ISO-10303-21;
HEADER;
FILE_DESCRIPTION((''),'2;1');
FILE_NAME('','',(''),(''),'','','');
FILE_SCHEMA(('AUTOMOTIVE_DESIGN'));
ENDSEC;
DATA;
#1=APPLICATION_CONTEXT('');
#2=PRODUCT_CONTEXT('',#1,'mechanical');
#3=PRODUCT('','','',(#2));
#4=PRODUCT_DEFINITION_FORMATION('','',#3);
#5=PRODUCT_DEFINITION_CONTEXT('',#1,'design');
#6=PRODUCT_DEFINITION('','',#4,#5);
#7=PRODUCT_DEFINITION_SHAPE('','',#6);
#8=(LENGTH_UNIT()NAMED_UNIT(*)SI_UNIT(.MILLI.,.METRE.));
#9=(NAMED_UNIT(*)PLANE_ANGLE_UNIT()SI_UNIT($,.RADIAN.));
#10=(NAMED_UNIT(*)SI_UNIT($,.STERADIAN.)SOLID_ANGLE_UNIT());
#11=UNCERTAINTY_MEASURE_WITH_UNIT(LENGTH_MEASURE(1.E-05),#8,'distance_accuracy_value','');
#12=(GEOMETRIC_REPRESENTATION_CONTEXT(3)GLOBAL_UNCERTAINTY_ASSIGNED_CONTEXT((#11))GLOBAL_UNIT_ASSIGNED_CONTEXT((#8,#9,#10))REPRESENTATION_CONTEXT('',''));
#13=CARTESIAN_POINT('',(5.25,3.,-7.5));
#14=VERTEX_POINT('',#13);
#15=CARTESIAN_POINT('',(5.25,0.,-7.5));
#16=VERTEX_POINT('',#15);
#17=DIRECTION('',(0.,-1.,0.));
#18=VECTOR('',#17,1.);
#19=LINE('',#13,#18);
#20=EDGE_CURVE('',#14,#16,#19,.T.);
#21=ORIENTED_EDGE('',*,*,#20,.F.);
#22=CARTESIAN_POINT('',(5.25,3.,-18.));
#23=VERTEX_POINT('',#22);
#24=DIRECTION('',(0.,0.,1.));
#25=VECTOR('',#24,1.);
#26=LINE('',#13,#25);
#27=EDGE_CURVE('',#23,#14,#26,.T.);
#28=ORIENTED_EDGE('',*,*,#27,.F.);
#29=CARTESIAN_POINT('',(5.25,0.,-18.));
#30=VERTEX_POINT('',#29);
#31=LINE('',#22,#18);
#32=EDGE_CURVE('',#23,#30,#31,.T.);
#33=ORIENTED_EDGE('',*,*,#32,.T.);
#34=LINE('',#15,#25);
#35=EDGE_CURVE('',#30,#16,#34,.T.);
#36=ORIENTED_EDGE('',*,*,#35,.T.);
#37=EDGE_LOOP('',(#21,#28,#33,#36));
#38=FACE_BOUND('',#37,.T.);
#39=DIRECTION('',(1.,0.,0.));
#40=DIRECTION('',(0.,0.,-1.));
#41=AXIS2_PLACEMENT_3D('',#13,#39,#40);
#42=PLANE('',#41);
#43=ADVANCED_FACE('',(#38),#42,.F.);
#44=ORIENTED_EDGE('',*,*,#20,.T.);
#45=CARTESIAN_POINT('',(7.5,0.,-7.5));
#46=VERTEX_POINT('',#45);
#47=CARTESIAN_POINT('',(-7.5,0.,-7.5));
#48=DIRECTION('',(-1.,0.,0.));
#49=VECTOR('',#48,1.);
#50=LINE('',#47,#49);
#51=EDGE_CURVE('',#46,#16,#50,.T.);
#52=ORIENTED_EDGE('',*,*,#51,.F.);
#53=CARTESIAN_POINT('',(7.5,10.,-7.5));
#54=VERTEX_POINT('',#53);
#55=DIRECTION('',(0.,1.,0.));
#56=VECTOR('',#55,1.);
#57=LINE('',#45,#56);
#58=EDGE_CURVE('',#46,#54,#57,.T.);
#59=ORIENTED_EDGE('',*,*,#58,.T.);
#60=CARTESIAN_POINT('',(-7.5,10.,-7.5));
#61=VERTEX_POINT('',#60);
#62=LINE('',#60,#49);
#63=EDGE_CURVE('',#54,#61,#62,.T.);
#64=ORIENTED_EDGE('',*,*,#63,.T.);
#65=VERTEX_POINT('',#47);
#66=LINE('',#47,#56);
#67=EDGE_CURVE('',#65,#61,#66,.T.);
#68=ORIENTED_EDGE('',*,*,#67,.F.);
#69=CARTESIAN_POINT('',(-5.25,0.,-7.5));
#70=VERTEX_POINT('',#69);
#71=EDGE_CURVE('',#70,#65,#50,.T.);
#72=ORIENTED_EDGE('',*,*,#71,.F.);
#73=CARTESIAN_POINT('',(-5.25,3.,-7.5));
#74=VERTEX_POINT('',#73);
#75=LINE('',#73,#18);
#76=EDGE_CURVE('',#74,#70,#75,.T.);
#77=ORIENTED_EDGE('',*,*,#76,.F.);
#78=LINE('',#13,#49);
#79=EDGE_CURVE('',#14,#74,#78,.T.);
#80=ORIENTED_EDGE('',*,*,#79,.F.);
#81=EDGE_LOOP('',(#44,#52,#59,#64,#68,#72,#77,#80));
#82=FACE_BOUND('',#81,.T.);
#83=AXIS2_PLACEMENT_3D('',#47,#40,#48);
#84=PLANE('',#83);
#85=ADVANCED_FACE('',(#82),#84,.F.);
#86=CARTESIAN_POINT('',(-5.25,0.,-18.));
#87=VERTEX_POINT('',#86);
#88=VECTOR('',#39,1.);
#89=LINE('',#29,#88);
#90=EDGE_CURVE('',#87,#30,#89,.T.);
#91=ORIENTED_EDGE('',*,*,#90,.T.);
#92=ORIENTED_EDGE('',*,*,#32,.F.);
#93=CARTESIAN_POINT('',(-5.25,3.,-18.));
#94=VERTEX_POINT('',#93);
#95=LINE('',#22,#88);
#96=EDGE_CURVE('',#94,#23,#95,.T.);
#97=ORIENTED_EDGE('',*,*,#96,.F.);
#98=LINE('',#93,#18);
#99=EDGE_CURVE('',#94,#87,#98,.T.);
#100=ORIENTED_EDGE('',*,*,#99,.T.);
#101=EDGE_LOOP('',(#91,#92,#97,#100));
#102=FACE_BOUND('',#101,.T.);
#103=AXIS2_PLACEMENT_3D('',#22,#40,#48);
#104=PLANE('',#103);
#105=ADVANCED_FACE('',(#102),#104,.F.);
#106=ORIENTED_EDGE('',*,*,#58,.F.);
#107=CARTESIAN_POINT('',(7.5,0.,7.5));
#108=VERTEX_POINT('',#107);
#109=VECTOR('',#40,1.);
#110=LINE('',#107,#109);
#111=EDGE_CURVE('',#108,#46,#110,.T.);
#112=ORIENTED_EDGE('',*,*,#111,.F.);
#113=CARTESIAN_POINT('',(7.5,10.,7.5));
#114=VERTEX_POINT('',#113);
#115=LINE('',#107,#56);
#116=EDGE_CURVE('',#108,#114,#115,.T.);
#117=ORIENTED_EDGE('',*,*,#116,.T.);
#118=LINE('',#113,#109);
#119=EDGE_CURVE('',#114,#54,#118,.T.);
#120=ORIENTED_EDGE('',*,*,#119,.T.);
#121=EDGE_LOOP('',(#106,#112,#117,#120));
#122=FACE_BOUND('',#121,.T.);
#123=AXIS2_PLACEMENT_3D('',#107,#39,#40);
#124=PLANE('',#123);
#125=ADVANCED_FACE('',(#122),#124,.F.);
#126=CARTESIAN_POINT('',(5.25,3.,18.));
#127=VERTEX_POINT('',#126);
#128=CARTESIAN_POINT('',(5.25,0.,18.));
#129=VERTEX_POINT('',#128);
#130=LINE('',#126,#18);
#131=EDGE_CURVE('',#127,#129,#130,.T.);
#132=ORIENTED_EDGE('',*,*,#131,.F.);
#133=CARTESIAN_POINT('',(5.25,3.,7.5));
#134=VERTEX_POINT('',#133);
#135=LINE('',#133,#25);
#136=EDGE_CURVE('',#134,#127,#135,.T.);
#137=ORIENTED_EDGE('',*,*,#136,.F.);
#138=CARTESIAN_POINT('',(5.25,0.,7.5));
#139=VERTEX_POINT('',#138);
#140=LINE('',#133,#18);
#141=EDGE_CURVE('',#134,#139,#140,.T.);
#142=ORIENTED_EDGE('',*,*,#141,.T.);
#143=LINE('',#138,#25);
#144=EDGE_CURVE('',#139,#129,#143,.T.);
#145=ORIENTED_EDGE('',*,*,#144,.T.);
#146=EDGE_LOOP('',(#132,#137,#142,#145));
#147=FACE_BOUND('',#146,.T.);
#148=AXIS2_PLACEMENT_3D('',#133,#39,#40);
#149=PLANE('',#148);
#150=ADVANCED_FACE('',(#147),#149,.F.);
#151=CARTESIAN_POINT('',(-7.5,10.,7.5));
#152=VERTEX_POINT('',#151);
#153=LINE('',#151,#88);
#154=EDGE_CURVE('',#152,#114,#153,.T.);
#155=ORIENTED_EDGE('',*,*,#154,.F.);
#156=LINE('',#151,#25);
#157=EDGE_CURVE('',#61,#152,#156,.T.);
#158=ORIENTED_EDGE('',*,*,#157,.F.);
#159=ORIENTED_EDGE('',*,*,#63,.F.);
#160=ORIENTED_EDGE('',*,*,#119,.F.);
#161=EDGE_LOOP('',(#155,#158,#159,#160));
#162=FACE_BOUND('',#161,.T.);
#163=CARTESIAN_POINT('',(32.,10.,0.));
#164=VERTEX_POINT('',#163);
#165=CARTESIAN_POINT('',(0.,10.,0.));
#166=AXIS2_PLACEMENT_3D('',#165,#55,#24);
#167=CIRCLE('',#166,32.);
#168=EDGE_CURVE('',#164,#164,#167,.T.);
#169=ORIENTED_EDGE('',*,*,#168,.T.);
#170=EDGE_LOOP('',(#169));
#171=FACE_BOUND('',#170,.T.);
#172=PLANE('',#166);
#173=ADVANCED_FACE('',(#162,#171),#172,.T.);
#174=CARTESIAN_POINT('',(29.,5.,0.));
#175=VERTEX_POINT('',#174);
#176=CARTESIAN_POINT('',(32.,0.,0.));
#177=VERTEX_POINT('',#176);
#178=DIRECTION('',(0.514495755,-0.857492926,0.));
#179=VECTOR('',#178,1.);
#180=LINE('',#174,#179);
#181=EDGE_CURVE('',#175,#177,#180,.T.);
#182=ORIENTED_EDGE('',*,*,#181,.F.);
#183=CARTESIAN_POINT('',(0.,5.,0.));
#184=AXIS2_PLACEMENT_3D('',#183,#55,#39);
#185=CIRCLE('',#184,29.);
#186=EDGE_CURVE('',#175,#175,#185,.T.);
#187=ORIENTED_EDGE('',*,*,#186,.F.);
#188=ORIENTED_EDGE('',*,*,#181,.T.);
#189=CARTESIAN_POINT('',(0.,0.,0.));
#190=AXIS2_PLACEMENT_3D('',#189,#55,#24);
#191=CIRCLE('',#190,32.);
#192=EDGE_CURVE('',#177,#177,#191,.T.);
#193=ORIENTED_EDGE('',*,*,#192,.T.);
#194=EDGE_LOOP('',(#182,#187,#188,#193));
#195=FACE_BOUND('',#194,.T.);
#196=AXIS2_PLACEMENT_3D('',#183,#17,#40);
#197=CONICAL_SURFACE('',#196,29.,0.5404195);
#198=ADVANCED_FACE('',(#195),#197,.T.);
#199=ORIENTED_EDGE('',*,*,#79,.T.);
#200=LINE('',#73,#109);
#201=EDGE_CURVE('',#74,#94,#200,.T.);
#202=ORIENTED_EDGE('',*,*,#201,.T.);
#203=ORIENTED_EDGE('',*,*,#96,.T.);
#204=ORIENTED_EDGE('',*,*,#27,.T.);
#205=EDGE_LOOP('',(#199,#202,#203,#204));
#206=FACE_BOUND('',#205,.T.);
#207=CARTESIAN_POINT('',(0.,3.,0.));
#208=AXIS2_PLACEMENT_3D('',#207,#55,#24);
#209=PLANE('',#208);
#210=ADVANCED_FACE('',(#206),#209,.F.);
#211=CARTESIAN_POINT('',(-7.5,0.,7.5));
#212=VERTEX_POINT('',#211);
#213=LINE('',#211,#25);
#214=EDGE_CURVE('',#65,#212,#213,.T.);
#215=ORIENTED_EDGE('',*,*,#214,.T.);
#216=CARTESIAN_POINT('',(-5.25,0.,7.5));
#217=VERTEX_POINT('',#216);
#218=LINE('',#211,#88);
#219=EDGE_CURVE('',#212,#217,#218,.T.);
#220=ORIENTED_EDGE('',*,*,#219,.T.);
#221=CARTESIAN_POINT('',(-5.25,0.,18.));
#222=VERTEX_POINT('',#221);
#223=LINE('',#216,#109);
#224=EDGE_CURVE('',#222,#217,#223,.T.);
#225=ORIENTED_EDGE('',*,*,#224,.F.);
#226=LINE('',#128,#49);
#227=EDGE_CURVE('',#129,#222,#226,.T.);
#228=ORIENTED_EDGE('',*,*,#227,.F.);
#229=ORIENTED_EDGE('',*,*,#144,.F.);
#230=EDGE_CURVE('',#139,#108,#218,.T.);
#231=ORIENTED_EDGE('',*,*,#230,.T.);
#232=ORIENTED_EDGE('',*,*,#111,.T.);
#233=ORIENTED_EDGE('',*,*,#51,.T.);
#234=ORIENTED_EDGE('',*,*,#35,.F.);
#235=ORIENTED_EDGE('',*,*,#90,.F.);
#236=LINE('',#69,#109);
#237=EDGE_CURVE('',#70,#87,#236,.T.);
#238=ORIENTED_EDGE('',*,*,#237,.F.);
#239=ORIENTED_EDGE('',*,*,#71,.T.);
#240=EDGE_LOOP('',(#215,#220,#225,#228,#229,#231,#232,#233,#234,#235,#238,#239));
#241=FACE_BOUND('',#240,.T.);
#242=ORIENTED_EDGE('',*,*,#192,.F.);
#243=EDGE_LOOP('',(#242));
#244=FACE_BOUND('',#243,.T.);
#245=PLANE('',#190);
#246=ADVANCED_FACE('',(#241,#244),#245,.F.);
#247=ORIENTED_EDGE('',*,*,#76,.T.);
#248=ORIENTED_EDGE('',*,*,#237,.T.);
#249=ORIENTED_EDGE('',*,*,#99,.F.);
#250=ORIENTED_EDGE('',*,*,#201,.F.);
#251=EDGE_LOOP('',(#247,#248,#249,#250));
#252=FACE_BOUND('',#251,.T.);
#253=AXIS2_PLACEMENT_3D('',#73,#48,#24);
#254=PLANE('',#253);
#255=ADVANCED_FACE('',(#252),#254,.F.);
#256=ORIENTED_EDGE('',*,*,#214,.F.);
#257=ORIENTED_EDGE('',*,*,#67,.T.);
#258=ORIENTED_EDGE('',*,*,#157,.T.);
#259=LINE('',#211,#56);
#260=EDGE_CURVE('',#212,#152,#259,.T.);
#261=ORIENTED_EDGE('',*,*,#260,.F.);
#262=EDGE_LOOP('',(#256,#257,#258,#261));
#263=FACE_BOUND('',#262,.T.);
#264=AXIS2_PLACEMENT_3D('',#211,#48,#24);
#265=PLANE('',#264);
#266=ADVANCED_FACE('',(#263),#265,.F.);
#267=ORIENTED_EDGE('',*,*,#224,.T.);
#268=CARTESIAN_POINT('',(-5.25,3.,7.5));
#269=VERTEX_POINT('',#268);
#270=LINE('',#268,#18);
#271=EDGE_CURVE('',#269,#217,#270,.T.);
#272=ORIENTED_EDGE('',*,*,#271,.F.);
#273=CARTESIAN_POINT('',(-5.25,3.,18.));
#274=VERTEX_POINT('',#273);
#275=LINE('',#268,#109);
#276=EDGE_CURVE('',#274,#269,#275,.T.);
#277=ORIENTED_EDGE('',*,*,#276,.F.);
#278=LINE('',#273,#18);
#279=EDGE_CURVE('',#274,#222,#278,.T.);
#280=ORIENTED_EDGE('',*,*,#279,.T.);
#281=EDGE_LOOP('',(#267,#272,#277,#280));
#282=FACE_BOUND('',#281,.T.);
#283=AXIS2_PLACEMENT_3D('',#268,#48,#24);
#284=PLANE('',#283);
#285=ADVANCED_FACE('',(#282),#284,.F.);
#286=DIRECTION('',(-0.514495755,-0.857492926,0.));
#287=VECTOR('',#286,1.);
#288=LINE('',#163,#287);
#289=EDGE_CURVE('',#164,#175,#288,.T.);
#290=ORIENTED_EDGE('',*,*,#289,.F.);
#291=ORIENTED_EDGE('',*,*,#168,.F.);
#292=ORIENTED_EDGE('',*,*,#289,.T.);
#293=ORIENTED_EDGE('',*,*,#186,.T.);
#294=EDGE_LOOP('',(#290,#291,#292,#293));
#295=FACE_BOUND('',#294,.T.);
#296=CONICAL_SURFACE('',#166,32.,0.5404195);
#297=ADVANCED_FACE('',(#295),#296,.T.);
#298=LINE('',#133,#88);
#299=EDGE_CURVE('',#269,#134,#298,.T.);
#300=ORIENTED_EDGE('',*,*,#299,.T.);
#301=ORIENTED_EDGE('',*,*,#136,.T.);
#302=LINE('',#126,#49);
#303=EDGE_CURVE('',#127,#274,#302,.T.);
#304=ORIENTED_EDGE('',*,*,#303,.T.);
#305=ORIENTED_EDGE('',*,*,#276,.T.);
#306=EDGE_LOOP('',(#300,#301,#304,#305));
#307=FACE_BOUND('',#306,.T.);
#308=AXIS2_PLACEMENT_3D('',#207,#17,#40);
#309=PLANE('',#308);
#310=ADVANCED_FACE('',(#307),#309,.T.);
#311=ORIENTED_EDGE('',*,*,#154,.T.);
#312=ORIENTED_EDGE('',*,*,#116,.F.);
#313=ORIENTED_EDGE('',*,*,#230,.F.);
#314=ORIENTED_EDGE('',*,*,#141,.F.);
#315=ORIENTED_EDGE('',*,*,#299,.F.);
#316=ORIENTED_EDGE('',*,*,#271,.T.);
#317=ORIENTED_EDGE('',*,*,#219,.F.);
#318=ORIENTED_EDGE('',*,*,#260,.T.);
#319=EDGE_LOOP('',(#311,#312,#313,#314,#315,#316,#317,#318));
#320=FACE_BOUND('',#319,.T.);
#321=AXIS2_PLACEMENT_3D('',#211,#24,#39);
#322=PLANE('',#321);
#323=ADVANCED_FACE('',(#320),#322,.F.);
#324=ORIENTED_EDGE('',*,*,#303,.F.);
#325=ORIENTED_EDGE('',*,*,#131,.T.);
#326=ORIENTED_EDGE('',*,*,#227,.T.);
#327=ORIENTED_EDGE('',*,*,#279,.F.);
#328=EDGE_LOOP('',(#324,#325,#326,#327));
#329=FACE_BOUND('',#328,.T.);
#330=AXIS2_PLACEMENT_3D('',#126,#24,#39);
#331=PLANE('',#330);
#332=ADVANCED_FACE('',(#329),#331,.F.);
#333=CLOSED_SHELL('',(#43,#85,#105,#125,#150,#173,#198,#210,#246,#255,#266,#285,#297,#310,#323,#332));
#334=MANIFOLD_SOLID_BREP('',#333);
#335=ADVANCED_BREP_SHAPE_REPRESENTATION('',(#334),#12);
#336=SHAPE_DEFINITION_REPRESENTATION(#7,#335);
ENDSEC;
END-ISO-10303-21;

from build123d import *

# Parameters (mm, degrees)
SKETCH1_R           = 32
BOSS_EXTRUDE1_DEPTH = 10
SKETCH3_W           = 15
SKETCH3_H           = 15
CUT_EXTRUDE1_DEPTH  = 47.346520905
SKETCH4_W           = 10.5
SKETCH4_H           = 10.5
CUT_EXTRUDE2_DEPTH  = 3


with BuildPart() as part:
    # Sketch1 → Boss-Extrude1 (new body)
    with BuildSketch(Plane(origin=(0, 0, 0), x_dir=(1, 0, 0), z_dir=(0, 1, 0))):
        Circle(SKETCH1_R)
    extrude(amount=BOSS_EXTRUDE1_DEPTH)

    # Cut-Sweep1: sweep along a path in Sketch1<2>
    with BuildLine(Plane(origin=(0, 0, 0), x_dir=(1, 0, 0), z_dir=(0, 1, 0))) as cut_sweep1_path:
        CenterArc((0, 0), 32, 0, 360)
    # Sketch2 → Cut-Sweep1 (sweep, cut)
    with BuildSketch(Plane.XY):
        Polygon((32, 10), (29, 5), (32, 0), align=None)
    sweep(path=cut_sweep1_path.line, mode=Mode.SUBTRACT)

    # Sketch3 → Cut-Extrude1 (cut, through all)
    with BuildSketch(Plane(origin=(0, 10, 0), x_dir=(1, 0, 0), z_dir=(0, 1, 0))):
        Rectangle(SKETCH3_W, SKETCH3_H)
    extrude(amount=-CUT_EXTRUDE1_DEPTH, mode=Mode.SUBTRACT)

    # Sketch4 → Cut-Extrude2 (cut)
    with BuildSketch(Plane.XZ):
        with Locations((0, 12.75)):
            Rectangle(SKETCH4_W, SKETCH4_H)
        with Locations((0, -12.75)):
            Rectangle(SKETCH4_W, SKETCH4_H)
    extrude(amount=-CUT_EXTRUDE2_DEPTH, mode=Mode.SUBTRACT)


solid = part.part
